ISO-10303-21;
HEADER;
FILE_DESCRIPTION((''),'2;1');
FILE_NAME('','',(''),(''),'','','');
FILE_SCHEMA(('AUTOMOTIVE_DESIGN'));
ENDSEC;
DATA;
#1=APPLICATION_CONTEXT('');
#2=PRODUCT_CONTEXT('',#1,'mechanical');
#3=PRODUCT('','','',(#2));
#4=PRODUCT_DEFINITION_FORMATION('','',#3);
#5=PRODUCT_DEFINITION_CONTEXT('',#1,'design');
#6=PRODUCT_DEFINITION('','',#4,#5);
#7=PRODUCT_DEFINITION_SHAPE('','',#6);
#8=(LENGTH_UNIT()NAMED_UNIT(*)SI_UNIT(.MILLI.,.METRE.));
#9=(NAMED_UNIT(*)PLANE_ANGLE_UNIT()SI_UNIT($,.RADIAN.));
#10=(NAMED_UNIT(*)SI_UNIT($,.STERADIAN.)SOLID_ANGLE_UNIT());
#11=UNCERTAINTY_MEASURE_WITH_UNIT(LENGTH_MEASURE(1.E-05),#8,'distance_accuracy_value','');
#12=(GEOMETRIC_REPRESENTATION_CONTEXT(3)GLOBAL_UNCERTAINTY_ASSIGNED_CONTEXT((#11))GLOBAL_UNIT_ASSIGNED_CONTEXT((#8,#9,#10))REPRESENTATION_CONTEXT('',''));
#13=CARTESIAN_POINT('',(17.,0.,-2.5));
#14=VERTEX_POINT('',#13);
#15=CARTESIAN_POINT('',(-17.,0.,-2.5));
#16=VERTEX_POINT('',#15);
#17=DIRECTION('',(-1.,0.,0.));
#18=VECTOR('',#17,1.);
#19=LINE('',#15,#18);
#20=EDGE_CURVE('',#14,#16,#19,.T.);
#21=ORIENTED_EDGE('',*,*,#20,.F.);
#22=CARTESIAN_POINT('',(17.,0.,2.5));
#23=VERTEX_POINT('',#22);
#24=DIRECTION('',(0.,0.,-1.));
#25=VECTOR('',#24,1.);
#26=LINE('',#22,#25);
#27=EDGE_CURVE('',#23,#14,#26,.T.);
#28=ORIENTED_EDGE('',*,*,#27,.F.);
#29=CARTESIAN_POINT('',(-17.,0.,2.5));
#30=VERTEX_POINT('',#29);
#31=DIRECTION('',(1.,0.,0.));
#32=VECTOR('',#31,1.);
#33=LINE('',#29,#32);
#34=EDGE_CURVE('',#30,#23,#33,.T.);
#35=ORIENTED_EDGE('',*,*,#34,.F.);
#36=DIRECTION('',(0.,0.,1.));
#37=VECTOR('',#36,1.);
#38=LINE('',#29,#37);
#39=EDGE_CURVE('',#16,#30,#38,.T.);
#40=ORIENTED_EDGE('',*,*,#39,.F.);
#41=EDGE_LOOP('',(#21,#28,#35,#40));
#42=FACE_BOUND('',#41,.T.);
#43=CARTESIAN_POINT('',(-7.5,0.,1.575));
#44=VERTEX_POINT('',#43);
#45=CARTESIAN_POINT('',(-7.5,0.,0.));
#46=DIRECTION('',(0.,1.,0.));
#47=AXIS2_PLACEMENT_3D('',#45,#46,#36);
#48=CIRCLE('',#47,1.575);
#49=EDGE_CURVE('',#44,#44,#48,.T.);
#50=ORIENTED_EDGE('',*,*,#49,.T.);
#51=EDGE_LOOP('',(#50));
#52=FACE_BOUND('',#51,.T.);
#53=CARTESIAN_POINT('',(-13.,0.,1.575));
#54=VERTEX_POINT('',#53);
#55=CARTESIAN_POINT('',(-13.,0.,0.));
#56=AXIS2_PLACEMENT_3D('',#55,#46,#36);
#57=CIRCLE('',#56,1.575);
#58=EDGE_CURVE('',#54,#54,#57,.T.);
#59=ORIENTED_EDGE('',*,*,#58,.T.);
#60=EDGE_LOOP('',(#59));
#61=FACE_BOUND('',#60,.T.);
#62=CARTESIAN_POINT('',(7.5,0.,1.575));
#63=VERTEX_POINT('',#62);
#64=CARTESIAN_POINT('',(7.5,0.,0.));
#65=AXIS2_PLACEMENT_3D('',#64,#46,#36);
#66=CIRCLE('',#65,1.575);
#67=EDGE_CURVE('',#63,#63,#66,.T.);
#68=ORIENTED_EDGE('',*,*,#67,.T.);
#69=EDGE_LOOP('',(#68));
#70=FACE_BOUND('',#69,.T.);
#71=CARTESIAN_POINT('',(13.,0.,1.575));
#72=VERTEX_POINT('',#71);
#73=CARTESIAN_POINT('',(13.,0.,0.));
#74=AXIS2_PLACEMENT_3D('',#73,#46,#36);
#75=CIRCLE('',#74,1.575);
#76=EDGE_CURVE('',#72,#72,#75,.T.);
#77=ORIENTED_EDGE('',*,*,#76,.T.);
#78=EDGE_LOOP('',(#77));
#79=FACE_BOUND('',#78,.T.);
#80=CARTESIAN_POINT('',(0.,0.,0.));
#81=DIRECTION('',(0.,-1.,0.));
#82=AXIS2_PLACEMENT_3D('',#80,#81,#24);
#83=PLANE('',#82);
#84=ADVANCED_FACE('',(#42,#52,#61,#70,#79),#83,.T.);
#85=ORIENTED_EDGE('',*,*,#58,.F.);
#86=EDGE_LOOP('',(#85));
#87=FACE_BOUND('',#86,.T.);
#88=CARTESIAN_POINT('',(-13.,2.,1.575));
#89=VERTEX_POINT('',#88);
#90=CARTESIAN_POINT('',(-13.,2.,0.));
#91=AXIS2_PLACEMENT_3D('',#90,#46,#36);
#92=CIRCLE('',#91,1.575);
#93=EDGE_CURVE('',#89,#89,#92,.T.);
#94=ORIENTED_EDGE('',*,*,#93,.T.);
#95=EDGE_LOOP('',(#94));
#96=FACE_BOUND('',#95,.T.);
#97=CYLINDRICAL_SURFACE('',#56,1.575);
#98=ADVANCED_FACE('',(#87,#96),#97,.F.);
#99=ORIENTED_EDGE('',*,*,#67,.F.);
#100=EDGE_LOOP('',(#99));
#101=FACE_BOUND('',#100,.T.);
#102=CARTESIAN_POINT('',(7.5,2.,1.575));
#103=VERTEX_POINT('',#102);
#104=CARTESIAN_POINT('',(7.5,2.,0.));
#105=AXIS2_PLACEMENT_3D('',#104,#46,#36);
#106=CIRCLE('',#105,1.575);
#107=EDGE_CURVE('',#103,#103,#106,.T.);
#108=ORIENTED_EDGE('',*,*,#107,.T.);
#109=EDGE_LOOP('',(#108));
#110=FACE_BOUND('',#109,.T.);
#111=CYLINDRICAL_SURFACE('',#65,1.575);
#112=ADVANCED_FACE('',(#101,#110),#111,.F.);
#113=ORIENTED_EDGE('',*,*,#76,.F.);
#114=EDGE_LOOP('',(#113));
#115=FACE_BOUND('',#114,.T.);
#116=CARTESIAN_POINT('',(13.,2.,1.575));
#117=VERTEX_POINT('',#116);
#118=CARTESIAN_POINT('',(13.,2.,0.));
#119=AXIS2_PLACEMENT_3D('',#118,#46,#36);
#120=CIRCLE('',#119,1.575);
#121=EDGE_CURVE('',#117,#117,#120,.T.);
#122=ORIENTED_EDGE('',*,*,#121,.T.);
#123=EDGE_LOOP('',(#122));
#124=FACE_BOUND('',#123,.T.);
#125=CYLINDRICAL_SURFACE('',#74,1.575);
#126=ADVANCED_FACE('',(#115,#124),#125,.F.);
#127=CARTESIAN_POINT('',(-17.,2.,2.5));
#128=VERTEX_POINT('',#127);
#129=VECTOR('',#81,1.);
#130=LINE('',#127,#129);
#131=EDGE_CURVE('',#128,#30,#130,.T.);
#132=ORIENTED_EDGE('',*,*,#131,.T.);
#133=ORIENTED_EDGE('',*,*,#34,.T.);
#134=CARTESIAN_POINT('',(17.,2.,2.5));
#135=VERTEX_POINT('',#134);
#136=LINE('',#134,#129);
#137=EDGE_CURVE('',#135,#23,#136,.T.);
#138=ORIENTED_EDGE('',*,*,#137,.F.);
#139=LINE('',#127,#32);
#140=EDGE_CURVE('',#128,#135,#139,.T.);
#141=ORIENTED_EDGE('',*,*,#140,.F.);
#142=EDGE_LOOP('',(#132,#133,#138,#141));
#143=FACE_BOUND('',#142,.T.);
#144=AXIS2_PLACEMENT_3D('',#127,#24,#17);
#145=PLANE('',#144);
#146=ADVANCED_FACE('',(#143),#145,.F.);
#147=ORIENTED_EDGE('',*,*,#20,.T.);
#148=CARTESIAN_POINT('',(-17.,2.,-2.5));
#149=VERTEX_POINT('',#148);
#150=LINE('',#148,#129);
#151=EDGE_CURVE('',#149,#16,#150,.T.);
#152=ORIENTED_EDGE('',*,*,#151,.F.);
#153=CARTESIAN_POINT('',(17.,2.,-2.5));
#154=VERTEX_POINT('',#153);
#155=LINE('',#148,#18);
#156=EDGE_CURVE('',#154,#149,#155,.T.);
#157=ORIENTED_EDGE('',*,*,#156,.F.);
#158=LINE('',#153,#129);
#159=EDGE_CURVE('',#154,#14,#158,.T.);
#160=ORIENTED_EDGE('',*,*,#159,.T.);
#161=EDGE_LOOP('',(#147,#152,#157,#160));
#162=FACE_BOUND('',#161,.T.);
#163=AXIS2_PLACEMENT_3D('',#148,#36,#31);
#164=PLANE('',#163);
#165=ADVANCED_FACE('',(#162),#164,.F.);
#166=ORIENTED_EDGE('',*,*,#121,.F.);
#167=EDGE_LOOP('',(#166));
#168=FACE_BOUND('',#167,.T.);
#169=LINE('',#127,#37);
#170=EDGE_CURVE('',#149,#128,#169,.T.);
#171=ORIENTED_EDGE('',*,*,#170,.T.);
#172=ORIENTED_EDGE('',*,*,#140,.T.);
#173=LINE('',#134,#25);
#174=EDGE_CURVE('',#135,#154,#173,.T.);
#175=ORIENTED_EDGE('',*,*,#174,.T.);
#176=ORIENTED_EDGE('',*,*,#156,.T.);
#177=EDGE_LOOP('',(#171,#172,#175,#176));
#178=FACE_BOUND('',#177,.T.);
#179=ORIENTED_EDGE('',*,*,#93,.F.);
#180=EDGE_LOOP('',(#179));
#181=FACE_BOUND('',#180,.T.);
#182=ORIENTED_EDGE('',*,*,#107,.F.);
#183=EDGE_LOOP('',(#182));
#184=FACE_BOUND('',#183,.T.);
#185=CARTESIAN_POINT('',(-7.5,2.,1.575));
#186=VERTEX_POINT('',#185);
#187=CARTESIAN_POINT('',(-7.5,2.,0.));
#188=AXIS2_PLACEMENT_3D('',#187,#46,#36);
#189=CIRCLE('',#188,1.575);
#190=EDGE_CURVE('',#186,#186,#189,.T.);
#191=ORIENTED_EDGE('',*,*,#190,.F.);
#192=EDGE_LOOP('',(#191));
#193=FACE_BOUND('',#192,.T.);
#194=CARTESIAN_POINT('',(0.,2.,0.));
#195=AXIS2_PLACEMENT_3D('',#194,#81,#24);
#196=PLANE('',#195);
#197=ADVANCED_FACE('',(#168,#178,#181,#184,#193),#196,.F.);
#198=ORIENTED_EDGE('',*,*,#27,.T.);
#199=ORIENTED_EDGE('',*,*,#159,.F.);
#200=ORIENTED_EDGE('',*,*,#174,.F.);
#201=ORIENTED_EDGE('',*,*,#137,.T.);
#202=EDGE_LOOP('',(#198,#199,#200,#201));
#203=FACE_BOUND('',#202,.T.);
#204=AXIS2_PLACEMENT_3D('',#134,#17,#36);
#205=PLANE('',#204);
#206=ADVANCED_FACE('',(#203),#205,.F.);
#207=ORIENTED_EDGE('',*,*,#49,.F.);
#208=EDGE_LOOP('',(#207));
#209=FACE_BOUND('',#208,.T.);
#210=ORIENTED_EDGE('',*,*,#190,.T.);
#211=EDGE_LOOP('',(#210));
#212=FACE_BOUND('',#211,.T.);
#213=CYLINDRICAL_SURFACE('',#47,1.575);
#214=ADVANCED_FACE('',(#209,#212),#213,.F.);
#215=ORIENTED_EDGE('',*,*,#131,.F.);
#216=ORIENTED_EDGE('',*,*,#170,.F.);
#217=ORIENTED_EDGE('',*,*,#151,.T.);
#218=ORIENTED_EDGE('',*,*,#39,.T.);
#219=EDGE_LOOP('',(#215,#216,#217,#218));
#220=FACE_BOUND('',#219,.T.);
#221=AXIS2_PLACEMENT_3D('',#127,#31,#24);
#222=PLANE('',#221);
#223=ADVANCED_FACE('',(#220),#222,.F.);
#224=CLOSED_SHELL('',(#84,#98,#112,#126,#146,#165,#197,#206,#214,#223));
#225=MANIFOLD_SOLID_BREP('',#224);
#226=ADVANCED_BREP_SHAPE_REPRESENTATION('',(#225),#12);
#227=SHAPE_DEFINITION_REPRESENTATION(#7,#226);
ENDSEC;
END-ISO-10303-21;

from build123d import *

# Parameters (mm, degrees)
SKETCH1_W           = 34
SKETCH1_H           = 5
BOSS_EXTRUDE2_DEPTH = 2
SKETCH4_R           = 1.575
CUT_EXTRUDE3_DEPTH  = 2
SKETCH5_R           = 1.575
CUT_EXTRUDE4_DEPTH  = 2


with BuildPart() as part:
    # Sketch1 → Boss-Extrude2 (new body)
    with BuildSketch(Plane(origin=(0, 0, 0), x_dir=(1, 0, 0), z_dir=(0, 1, 0))):
        Rectangle(SKETCH1_W, SKETCH1_H)
    extrude(amount=BOSS_EXTRUDE2_DEPTH)

    # Sketch4 → Cut-Extrude3 (cut)
    with BuildSketch(Plane(origin=(0, 2, 0), x_dir=(1, 0, 0), z_dir=(0, 1, 0))):
        with Locations((-13, 0)):
            Circle(SKETCH4_R)
        with Locations((13, 0)):
            Circle(SKETCH4_R)
    extrude(amount=-CUT_EXTRUDE3_DEPTH, mode=Mode.SUBTRACT)

    # Sketch5 → Cut-Extrude4 (cut)
    with BuildSketch(Plane(origin=(0, 2, 0), x_dir=(1, 0, 0), z_dir=(0, 1, 0))):
        with Locations((-7.5, 0)):
            Circle(SKETCH5_R)
        with Locations((7.5, 0)):
            Circle(SKETCH5_R)
    extrude(amount=-CUT_EXTRUDE4_DEPTH, mode=Mode.SUBTRACT)


solid = part.part
